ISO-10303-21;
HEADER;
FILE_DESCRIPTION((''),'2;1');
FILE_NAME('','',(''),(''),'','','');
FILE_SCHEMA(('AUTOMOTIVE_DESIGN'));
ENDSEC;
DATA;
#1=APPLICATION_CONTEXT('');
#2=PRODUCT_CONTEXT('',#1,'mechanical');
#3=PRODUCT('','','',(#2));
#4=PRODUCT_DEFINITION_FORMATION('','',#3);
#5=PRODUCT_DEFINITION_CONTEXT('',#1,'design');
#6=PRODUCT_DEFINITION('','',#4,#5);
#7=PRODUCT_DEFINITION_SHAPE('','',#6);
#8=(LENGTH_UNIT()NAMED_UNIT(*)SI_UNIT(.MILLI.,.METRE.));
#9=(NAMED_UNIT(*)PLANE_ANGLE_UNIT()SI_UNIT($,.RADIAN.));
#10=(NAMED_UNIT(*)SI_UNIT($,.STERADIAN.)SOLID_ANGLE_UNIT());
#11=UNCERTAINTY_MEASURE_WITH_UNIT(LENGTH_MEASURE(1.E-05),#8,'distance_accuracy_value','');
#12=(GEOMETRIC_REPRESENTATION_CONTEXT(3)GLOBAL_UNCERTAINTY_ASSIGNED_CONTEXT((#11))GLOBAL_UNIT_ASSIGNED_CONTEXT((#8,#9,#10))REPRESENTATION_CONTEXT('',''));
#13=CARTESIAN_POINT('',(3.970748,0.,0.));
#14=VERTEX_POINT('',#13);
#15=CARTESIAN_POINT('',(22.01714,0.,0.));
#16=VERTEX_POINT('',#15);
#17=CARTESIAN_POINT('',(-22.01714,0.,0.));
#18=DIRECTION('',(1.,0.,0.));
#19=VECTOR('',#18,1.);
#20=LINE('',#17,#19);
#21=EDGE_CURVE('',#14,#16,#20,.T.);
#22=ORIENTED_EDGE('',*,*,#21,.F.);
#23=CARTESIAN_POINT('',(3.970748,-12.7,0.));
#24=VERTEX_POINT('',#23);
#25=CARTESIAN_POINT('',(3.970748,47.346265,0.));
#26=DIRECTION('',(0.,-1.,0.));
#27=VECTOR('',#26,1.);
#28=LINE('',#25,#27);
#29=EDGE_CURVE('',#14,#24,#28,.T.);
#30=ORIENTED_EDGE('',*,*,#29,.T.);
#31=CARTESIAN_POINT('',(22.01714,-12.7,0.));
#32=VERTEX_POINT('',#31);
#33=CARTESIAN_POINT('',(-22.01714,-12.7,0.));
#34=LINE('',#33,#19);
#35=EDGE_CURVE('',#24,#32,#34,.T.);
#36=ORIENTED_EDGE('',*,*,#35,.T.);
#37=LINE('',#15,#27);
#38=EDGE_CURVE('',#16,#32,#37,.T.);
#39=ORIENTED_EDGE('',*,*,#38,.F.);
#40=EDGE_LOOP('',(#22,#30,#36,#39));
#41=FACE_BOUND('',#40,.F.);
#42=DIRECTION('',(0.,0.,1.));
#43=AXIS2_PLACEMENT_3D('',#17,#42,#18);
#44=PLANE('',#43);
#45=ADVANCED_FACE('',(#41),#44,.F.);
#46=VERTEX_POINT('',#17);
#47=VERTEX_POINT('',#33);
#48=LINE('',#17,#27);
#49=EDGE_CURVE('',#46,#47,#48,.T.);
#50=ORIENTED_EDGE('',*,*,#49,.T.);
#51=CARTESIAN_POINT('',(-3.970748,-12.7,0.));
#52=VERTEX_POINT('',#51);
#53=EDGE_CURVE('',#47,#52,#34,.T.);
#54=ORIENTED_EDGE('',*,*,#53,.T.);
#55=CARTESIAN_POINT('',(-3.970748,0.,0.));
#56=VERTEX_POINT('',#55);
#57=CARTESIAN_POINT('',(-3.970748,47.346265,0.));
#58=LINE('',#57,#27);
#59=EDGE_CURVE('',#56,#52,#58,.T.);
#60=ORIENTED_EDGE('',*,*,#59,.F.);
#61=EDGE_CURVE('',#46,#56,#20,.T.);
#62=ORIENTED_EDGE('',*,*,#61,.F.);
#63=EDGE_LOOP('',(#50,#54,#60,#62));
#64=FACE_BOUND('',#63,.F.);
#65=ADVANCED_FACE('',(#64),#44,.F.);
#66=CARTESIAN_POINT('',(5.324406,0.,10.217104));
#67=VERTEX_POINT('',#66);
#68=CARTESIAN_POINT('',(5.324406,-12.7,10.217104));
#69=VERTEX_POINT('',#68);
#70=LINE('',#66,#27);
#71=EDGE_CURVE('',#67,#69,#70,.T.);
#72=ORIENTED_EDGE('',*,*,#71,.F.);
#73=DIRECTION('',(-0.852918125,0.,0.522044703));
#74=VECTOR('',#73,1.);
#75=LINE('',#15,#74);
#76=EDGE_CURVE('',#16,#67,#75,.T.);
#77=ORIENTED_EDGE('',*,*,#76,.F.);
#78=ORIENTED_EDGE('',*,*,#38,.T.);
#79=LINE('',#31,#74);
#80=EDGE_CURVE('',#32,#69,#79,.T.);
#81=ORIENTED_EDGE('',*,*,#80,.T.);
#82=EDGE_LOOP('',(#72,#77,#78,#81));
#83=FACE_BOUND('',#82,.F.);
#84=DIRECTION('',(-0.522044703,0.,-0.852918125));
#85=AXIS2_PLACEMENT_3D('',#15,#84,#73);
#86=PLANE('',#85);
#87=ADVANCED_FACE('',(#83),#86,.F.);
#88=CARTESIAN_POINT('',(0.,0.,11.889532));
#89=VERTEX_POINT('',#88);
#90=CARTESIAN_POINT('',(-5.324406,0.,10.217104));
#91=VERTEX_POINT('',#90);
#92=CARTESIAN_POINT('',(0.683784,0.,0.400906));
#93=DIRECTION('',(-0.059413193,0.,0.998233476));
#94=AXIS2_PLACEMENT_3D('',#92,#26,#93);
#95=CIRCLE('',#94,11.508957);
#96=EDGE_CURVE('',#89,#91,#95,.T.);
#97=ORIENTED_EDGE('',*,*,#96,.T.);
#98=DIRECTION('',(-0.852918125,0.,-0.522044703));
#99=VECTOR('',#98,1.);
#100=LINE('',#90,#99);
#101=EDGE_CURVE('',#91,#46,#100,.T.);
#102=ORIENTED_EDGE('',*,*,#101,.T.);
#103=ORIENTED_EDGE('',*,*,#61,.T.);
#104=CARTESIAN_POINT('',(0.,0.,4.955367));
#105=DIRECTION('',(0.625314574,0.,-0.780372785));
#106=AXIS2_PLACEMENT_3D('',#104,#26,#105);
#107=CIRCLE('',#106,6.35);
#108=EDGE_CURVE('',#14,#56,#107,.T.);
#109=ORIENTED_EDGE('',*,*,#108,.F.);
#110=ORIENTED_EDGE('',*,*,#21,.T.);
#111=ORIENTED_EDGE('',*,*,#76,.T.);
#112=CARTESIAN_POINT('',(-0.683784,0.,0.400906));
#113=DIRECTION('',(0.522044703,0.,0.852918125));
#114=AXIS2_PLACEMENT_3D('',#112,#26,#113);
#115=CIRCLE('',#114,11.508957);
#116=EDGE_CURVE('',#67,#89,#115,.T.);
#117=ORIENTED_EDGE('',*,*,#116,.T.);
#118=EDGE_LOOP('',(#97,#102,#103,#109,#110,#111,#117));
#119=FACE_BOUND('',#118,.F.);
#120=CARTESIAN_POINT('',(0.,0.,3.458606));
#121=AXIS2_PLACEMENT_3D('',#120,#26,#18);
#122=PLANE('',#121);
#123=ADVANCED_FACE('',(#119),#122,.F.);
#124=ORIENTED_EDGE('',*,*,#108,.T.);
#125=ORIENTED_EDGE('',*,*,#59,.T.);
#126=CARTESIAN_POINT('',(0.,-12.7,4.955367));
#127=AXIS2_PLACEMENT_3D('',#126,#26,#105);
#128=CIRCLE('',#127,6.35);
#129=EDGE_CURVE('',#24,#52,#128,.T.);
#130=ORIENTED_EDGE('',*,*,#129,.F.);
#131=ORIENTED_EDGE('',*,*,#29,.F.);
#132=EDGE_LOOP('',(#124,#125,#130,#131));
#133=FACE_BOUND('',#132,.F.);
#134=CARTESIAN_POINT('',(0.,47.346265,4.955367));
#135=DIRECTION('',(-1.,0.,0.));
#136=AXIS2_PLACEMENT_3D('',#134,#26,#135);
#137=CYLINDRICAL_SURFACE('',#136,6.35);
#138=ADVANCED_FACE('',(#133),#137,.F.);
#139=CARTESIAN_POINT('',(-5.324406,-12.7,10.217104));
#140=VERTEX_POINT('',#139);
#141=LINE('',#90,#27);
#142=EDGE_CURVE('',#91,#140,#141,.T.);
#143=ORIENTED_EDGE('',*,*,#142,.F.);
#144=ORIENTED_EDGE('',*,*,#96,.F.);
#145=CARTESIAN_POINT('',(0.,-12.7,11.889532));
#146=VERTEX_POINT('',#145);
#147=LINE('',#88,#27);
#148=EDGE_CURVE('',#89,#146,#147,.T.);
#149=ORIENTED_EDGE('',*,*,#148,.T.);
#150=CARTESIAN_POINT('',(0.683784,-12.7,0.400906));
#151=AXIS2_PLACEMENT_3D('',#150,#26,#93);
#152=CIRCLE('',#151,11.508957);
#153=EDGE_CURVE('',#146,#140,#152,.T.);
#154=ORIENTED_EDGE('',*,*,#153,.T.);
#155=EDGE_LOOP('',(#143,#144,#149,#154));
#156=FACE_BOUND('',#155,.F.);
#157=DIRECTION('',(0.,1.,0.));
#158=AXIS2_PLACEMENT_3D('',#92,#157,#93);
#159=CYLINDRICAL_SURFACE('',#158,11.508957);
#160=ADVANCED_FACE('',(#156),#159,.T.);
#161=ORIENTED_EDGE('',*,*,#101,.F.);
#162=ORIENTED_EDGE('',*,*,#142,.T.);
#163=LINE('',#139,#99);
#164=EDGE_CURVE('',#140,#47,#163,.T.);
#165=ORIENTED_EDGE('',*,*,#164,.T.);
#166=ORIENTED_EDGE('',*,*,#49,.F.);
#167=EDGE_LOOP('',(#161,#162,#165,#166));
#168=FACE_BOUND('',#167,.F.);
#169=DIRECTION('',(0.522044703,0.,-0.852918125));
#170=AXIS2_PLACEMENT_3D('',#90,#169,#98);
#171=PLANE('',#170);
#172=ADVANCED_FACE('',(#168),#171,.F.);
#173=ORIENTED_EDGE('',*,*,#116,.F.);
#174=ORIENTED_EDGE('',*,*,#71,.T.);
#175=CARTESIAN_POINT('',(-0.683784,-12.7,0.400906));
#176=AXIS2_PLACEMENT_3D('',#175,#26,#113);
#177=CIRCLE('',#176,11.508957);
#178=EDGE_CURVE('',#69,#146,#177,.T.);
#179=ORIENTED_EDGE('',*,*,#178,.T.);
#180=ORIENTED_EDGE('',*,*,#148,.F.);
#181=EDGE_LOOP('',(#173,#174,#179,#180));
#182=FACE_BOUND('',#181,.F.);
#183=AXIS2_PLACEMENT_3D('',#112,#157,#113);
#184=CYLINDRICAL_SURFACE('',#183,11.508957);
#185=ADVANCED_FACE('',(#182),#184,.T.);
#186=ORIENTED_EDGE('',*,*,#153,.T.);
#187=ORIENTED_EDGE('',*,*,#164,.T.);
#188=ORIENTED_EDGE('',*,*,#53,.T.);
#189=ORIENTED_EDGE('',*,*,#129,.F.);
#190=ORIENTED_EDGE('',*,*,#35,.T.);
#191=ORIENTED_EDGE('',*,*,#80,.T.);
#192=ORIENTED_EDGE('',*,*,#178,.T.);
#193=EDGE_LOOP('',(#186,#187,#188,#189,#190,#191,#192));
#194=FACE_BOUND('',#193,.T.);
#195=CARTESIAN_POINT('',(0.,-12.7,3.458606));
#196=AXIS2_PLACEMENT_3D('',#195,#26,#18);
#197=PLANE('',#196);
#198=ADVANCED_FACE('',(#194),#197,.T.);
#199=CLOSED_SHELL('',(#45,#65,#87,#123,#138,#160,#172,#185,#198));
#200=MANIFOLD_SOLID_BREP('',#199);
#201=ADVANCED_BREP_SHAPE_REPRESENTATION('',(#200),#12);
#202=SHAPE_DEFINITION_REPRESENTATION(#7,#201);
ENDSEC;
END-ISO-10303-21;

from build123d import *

# Parameters (mm, degrees)
F1_DEPTH = 12.7
F2_D     = 12.7


with BuildPart() as f1:
    # F0 (on Front) → F1 (new body)
    with BuildSketch(Plane.XZ):
        with BuildLine():
            Line((-22.0171399415, 0), (0, 0))
            Line((0, 0), (22.0171399415, 0))
            Line((22.0171399415, 0), (5.3244060837, 10.2171041071))
            ThreePointArc((5.3244060837, 10.2171041071), (2.7651119462, 11.3809428826), (0, 11.8895322084))
            ThreePointArc((0, 11.8895322084), (-2.7651119462, 11.3809428826), (-5.3244060837, 10.2171041071))
            Line((-5.3244060837, 10.2171041071), (-22.0171399415, 0))
        make_face()
    extrude(amount=F1_DEPTH)

    # F2 (through all)
    with Locations(Plane(origin=(0, 0, 0), x_dir=(1, 0, 0), z_dir=(0, 1, 0))):
        with Locations((0, -4.9553671852)):
            Hole(F2_D / 2)


solid = f1.part
